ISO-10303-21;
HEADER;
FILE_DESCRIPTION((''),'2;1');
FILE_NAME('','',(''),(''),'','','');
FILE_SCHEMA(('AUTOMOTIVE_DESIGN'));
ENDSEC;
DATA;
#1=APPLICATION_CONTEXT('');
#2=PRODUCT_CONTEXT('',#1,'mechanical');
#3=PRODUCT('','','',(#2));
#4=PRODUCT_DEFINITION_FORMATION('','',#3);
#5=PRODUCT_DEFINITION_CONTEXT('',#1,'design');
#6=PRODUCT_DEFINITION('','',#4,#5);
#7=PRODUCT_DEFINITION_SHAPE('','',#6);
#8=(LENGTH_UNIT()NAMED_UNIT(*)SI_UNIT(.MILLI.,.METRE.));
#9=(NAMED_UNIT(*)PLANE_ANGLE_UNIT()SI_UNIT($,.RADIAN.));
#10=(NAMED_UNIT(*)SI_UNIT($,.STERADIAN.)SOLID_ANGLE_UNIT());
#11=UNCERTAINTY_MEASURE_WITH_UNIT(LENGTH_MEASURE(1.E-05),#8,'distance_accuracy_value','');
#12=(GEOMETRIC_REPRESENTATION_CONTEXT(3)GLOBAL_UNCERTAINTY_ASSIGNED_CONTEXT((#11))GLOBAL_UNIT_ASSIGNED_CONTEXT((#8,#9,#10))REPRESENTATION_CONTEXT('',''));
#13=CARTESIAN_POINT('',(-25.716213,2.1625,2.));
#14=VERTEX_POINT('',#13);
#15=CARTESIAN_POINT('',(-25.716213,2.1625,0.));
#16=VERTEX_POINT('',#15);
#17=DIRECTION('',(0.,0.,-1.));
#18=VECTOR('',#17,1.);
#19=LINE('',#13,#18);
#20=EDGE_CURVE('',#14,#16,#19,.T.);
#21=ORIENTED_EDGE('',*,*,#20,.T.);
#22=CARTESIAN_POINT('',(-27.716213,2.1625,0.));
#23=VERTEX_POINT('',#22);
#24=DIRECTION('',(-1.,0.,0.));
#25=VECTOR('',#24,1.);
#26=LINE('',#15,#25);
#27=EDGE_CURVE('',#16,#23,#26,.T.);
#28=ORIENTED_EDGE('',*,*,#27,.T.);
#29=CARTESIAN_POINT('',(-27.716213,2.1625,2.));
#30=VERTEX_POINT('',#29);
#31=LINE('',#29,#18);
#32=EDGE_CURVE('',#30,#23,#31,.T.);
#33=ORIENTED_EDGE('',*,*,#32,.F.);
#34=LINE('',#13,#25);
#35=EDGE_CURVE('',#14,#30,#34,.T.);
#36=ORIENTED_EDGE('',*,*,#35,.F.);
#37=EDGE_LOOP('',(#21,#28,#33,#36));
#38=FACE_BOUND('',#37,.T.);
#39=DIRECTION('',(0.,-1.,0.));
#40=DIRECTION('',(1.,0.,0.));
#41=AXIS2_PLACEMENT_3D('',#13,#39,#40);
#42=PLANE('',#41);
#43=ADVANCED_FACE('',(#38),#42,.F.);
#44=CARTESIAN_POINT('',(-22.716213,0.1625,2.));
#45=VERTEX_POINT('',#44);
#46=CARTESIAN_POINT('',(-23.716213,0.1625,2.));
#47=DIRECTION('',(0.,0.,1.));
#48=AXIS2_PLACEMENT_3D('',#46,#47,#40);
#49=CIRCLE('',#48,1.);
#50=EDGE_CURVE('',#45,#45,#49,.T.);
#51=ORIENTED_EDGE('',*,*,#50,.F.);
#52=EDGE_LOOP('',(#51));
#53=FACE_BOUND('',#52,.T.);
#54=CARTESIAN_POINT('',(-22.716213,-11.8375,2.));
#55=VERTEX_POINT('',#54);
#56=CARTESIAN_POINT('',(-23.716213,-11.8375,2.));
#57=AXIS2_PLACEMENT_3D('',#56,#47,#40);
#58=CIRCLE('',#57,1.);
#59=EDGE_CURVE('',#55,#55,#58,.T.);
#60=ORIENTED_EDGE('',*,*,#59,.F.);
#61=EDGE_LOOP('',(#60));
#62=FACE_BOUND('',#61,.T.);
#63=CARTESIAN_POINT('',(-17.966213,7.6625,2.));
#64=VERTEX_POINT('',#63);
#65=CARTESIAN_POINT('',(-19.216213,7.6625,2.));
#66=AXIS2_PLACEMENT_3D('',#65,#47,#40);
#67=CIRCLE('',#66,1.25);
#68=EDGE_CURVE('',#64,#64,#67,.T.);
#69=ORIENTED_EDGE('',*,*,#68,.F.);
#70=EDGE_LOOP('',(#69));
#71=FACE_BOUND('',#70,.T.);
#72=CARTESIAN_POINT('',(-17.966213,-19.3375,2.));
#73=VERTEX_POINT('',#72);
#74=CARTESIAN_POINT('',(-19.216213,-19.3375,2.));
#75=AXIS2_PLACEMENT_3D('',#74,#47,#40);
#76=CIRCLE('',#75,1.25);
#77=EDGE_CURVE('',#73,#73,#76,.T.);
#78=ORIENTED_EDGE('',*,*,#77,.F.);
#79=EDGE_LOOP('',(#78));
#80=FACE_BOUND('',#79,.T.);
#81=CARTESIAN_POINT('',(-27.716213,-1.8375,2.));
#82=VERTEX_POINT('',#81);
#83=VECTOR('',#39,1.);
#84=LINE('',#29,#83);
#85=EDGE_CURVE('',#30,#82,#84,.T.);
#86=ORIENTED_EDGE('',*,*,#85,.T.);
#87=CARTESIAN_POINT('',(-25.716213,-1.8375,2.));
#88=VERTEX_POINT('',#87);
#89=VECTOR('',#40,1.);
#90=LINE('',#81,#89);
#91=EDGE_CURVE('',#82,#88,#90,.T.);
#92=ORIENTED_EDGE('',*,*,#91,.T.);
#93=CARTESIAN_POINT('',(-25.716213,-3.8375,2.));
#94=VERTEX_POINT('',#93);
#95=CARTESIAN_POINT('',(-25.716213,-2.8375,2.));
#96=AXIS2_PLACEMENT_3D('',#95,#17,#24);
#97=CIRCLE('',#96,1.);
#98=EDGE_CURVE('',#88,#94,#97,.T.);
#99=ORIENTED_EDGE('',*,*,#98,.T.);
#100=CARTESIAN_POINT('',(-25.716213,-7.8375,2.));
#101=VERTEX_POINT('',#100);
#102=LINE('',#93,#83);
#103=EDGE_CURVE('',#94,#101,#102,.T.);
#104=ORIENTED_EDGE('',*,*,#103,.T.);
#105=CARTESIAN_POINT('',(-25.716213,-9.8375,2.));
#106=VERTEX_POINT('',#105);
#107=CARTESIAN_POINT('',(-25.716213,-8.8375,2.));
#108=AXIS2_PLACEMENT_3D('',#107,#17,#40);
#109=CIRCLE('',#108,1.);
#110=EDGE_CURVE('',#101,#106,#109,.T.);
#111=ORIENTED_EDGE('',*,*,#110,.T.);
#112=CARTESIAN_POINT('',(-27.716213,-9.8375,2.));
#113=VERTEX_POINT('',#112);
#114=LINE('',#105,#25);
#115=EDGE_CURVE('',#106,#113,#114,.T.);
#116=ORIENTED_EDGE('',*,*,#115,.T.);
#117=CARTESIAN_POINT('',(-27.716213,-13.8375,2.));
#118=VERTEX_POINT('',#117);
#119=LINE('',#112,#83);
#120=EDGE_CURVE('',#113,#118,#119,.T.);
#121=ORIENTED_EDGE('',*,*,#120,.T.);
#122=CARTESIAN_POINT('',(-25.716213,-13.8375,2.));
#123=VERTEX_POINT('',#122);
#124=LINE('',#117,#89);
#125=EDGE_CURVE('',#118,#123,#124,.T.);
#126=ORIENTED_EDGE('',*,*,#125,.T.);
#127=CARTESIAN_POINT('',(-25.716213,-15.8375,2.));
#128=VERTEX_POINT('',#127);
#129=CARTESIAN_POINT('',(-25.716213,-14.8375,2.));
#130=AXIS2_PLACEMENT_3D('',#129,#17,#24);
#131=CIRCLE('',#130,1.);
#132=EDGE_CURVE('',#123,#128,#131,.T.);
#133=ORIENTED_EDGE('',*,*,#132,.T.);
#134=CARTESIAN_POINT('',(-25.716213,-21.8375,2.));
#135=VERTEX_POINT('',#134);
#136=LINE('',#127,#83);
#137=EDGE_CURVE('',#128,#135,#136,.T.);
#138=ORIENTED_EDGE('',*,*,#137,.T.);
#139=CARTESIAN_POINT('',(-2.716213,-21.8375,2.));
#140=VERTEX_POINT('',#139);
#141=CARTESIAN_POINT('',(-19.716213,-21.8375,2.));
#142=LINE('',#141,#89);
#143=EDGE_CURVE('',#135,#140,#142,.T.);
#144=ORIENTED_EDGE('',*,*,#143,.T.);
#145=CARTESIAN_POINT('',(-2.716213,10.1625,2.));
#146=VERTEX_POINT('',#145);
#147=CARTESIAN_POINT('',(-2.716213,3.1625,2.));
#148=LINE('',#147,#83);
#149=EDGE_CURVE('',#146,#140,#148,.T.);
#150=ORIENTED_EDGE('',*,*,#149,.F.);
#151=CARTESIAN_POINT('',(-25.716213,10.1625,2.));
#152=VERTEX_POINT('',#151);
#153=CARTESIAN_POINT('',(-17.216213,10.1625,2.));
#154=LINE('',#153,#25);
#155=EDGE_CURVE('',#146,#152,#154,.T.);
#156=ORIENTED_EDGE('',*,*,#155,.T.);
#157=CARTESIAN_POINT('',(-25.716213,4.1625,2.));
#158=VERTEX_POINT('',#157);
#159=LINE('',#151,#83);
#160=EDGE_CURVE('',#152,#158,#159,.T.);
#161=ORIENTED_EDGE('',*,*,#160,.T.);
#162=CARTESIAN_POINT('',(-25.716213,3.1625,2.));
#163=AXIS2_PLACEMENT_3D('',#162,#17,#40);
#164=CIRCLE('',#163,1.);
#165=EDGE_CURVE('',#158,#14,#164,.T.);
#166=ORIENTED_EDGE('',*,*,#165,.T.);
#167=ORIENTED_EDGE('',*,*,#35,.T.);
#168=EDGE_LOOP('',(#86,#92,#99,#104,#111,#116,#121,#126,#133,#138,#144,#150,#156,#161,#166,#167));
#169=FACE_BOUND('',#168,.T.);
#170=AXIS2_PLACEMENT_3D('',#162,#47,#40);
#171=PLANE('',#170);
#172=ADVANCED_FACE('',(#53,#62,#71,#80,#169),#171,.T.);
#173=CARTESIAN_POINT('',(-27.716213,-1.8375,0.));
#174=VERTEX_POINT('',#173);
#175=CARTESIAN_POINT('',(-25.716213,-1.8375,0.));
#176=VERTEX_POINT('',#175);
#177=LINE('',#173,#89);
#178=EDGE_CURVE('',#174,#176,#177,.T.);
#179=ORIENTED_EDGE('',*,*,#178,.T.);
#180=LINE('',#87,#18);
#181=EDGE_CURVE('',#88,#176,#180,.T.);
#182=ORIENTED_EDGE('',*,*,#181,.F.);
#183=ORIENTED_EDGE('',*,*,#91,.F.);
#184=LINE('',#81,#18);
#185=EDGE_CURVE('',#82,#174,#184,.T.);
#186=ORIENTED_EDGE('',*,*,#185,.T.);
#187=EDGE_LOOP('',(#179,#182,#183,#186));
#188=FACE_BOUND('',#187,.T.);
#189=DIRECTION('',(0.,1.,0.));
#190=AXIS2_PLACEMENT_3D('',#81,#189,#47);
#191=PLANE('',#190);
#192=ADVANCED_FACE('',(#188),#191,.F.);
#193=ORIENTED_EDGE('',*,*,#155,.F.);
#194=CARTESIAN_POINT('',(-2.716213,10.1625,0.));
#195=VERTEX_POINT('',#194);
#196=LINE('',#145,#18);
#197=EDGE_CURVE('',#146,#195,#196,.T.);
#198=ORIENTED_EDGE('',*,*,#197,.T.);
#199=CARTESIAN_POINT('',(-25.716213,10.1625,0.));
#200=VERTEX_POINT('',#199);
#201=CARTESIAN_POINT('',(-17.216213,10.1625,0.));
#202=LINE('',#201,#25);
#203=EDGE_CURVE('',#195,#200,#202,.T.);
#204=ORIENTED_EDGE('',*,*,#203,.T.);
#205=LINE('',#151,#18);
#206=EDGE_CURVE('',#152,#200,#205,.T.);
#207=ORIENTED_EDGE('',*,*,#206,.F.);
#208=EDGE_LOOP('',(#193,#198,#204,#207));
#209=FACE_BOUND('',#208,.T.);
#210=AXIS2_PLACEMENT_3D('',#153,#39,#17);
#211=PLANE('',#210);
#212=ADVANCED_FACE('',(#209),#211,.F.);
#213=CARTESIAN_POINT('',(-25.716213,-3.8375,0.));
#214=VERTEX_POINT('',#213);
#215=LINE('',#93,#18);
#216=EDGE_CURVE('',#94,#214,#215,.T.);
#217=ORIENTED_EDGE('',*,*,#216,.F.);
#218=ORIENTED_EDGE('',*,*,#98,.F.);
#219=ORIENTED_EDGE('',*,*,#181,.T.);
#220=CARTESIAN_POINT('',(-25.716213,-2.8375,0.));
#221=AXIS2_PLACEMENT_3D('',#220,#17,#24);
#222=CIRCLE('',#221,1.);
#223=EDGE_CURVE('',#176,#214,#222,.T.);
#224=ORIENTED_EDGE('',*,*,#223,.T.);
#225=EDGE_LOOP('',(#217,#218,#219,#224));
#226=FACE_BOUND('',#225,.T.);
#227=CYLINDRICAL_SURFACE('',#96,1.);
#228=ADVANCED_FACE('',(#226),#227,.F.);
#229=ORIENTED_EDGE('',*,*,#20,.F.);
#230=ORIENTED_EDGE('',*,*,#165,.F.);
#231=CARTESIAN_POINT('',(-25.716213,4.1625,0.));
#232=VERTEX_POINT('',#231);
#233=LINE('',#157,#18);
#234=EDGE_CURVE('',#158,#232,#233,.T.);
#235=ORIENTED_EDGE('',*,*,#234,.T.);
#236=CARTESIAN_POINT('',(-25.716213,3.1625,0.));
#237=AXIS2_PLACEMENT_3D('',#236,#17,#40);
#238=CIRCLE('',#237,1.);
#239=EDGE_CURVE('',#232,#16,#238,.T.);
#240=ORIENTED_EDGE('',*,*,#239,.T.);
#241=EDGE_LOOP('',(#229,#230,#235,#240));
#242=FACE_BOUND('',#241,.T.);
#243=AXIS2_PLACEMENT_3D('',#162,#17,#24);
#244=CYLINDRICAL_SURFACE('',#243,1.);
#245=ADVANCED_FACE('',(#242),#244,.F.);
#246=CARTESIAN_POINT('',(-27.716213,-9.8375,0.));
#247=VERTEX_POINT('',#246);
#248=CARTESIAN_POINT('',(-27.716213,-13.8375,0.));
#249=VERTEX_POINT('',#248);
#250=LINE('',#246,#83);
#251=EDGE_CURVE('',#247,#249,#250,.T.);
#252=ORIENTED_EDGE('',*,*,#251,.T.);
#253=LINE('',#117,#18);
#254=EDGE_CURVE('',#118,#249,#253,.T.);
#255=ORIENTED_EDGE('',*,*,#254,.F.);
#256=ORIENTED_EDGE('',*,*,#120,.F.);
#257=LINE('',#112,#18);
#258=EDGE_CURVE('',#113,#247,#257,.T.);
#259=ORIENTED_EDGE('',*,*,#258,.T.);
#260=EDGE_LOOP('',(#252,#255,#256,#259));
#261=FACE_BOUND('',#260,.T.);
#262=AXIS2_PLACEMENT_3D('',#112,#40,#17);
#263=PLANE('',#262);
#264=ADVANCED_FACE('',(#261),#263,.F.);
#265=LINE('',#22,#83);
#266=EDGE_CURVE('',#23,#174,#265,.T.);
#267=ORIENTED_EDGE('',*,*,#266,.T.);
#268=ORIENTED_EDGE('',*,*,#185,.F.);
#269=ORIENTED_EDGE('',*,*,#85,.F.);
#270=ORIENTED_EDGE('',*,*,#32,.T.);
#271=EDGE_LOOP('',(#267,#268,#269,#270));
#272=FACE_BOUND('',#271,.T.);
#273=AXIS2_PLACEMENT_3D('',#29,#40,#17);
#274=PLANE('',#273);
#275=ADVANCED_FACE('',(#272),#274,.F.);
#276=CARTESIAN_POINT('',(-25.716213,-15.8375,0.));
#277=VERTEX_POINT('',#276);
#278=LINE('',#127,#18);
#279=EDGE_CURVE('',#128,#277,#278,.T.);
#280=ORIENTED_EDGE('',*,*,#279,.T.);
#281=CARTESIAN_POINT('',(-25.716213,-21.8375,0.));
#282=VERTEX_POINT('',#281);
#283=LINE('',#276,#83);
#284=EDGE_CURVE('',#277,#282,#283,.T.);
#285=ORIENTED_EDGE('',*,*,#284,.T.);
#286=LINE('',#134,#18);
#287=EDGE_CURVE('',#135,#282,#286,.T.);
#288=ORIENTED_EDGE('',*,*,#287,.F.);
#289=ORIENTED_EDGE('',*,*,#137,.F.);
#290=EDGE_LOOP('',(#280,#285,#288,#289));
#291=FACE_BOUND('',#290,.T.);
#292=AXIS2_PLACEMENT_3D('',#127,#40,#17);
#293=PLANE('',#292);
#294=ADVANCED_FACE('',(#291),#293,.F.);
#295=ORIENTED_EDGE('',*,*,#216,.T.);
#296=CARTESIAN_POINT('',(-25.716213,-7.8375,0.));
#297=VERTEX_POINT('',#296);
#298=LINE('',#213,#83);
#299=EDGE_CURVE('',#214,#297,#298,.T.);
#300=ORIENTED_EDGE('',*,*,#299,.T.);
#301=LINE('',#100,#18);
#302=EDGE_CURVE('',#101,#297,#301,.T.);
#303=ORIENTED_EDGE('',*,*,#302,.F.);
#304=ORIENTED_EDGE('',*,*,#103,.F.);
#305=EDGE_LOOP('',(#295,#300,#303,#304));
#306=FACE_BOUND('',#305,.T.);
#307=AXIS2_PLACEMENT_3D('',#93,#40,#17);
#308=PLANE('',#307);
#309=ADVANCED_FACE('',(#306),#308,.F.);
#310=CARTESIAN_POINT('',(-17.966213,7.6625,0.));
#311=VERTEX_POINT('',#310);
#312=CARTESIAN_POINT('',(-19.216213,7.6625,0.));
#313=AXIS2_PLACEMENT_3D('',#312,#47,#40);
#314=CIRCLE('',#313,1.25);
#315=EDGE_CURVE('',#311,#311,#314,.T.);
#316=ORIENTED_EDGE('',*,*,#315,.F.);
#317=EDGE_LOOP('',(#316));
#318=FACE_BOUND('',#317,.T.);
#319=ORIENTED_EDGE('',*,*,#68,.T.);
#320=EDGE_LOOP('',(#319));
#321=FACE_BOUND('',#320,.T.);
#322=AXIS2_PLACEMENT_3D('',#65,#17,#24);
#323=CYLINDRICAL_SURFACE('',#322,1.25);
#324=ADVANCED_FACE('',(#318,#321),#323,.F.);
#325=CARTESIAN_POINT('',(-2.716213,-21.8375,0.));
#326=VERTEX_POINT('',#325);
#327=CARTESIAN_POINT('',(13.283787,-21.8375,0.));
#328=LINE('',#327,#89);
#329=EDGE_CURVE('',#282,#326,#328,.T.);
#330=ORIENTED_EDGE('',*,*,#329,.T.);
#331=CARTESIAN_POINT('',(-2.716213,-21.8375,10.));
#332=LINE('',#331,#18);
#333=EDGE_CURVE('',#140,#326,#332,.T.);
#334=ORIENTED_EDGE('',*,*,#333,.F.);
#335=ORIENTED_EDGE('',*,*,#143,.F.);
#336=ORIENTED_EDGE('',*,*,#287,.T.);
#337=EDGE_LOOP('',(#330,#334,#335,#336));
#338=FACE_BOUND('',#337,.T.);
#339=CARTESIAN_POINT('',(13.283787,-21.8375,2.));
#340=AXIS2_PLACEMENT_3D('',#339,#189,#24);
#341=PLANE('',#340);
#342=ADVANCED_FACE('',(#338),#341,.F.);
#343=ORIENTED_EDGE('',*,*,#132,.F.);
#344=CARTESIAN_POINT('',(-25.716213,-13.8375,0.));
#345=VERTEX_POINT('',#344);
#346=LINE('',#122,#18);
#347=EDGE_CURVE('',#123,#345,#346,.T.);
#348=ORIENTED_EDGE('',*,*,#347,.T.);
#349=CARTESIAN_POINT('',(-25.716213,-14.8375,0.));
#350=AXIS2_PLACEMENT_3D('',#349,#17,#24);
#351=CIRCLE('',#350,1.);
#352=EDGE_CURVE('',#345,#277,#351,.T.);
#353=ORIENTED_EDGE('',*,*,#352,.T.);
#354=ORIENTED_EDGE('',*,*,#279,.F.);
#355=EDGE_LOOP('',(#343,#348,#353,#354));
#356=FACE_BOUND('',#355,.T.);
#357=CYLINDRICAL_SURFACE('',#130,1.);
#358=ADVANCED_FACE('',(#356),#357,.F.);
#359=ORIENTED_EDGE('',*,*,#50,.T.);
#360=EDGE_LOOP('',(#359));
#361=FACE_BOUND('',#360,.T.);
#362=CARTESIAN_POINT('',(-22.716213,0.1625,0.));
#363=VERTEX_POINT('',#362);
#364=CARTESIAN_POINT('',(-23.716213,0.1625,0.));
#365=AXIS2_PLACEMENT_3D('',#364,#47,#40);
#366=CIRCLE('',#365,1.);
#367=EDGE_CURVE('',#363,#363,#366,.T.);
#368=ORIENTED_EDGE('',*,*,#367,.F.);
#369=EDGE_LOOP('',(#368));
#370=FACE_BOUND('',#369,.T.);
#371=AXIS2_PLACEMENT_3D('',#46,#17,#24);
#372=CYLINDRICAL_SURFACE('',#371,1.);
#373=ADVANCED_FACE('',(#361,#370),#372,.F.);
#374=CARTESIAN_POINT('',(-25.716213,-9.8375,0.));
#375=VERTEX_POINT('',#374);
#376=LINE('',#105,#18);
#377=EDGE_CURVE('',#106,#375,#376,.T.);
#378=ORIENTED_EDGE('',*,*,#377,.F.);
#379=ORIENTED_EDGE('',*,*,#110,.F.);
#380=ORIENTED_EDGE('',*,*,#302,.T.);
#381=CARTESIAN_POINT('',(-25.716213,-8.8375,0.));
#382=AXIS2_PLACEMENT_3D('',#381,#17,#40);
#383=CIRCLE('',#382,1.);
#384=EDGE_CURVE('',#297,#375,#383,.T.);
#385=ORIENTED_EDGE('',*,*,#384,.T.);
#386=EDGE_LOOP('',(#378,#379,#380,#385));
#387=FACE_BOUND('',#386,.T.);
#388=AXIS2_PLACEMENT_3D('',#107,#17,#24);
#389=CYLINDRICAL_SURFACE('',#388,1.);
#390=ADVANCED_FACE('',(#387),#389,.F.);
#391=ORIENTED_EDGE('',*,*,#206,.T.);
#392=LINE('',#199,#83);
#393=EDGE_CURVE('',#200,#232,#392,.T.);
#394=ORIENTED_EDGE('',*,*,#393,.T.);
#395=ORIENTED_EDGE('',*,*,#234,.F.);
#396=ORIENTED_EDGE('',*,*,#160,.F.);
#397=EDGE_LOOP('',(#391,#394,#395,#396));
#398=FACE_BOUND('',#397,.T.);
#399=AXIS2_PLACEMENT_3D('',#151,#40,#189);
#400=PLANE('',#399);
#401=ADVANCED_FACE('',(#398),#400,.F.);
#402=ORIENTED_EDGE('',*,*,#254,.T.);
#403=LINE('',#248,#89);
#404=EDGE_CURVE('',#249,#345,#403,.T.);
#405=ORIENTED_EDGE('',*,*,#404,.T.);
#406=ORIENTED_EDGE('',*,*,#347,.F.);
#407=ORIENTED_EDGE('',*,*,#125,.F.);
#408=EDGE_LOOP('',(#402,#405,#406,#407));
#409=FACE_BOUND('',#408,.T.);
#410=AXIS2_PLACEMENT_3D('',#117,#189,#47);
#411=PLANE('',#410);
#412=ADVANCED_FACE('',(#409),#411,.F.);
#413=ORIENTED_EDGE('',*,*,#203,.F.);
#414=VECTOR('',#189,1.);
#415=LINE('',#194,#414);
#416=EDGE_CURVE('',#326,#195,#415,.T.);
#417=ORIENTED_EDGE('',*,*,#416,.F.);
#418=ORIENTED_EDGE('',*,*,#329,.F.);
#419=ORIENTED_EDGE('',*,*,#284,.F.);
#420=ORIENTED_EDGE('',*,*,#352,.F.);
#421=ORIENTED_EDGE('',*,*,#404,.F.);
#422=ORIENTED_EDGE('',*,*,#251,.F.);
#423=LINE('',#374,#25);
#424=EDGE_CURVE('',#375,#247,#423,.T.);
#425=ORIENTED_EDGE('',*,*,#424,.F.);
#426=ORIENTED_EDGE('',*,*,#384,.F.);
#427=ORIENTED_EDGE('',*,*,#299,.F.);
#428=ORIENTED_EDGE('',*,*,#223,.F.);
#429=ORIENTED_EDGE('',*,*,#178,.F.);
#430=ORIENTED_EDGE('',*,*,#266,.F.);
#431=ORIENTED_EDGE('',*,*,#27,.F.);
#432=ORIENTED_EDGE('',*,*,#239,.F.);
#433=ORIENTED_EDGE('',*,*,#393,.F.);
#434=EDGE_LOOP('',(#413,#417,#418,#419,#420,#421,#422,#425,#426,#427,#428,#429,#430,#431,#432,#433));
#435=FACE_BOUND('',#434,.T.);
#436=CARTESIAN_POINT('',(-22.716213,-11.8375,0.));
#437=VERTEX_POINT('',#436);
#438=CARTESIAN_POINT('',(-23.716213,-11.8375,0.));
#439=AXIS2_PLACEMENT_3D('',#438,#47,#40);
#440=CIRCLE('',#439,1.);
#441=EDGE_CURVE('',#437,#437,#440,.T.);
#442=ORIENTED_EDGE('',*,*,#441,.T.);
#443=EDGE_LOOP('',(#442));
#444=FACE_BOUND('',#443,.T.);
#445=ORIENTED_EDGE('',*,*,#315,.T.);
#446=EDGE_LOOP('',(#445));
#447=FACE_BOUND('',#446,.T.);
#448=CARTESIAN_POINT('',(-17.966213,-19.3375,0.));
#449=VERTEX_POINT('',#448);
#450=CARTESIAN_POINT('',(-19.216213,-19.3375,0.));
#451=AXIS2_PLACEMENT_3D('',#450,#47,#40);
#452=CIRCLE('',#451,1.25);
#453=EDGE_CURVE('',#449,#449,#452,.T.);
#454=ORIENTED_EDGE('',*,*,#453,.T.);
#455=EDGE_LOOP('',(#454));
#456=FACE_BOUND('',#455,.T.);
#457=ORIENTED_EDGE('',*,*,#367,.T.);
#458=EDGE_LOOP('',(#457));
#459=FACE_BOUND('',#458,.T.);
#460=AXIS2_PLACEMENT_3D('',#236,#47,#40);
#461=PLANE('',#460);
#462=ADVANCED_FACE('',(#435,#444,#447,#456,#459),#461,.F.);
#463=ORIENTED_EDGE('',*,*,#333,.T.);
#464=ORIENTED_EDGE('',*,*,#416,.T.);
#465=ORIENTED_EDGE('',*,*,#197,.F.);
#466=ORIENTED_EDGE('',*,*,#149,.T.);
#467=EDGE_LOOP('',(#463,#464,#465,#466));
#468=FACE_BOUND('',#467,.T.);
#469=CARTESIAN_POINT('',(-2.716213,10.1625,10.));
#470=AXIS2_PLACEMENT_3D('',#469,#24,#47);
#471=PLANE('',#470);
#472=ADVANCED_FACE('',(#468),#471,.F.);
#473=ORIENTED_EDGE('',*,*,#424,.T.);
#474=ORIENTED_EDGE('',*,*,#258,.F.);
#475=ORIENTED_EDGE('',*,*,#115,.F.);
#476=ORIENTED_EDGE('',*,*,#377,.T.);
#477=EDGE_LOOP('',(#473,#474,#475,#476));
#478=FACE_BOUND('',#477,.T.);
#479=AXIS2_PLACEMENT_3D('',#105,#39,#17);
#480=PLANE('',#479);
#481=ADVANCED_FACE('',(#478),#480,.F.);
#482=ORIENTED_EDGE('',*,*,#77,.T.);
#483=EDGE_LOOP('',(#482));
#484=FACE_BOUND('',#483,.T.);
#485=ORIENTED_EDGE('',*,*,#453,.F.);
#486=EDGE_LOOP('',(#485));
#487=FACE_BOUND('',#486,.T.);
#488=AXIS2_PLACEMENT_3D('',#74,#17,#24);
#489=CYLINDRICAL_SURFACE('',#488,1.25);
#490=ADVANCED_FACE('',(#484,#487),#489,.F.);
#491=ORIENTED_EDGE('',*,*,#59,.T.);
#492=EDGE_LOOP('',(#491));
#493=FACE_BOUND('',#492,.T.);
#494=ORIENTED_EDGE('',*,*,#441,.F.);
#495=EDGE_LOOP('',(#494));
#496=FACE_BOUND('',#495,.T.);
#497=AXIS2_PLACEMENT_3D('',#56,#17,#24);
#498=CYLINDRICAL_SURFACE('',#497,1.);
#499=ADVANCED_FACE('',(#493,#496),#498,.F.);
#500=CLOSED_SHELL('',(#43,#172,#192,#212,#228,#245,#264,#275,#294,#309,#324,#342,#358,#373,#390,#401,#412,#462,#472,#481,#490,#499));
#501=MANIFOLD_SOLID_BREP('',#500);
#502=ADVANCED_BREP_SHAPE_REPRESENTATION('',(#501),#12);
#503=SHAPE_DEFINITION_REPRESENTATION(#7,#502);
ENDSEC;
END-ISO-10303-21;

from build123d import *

# Parameters (mm, degrees)
SKETCH_1_R          = 1.25
SKETCH_1_R_2        = 1
EXTRUDE_1_DEPTH     = 2
SKETCH_4_W          = 15.5
SKETCH_4_H          = 22
CUT_EXTRUDE_1_DEPTH = 2
FILLET_2_R          = 2.5
FILLET_3_R          = 5
SKETCH_6_W          = 16
SKETCH_6_H          = 32
CUT_EXTRUDE_3_DEPTH = 10


with BuildPart() as part:
    # 草圖1 → 填料-伸長1 (new body)
    with BuildSketch(Plane.XY):
        with BuildLine():
            Line((-17.216213198, 10.1625), (13.283786802, 10.1625))
            Line((13.283786802, 10.1625), (13.283786802, -21.8375))
            Line((13.283786802, -21.8375), (-17.216213198, -21.8375))
            Line((-17.216213198, -21.8375), (-19.716213198, -21.8375))
            Line((-19.716213198, -21.8375), (-25.716213198, -21.8375))
            Line((-25.716213198, -21.8375), (-25.716213198, -15.8375))
            ThreePointArc((-25.716213198, -15.8375), (-24.716213198, -14.8375), (-25.716213198, -13.8375))
            Line((-25.716213198, -13.8375), (-27.716213198, -13.8375))
            Line((-27.716213198, -13.8375), (-27.716213198, -9.8375))
            Line((-27.716213198, -9.8375), (-25.716213198, -9.8375))
            ThreePointArc((-25.716213198, -9.8375), (-24.716213198, -8.8375), (-25.716213198, -7.8375))
            Line((-25.716213198, -7.8375), (-25.716213198, -3.8375))
            ThreePointArc((-25.716213198, -3.8375), (-24.716213198, -2.8375), (-25.716213198, -1.8375))
            Line((-25.716213198, -1.8375), (-27.716213198, -1.8375))
            Line((-27.716213198, -1.8375), (-27.716213198, 2.1625))
            Line((-27.716213198, 2.1625), (-25.716213198, 2.1625))
            ThreePointArc((-25.716213198, 2.1625), (-24.716213198, 3.1625), (-25.716213198, 4.1625))
            Line((-25.716213198, 4.1625), (-25.716213198, 10.1625))
            Line((-25.716213198, 10.1625), (-21.716213198, 10.1625))
            Line((-21.716213198, 10.1625), (-17.216213198, 10.1625))
        make_face()
        with Locations((-19.216213198, 7.6625)):
            Circle(SKETCH_1_R, mode=Mode.SUBTRACT)
        with Locations((-19.216213198, -19.3375)):
            Circle(SKETCH_1_R, mode=Mode.SUBTRACT)
        with Locations((10.783786802, -19.3375)):
            Circle(SKETCH_1_R, mode=Mode.SUBTRACT)
        with Locations((10.783786802, 7.6625)):
            Circle(SKETCH_1_R, mode=Mode.SUBTRACT)
        with Locations((-23.716213198, -11.8375)):
            Circle(SKETCH_1_R_2, mode=Mode.SUBTRACT)
        with Locations((-23.716213198, 0.1625)):
            Circle(SKETCH_1_R_2, mode=Mode.SUBTRACT)
    extrude(amount=EXTRUDE_1_DEPTH)

    # 草圖4 → 除料-伸長1 (cut)
    with BuildSketch(Plane(origin=(0, 0, 0), x_dir=(-1, 0, 0), z_dir=(0, 0, -1))):
        with Locations((-5.533786802, -5.8375)):
            Rectangle(SKETCH_4_W, SKETCH_4_H)
    extrude(amount=-CUT_EXTRUDE_1_DEPTH, mode=Mode.SUBTRACT)

    # 圓角2
    fillet_2_edges = [part.edges().sort_by_distance(p)[0] for p in [
        (13.283786802, -16.8375, 1),
        (13.283786802, 5.1625, 1),
    ]]
    fillet(fillet_2_edges, radius=FILLET_2_R)

    # 圓角3
    fillet_3_edges = [part.edges().sort_by_distance(p)[0] for p in [
        (-2.216213198, 5.1625, 1),
        (-2.216213198, -16.8375, 1),
    ]]
    fillet(fillet_3_edges, radius=FILLET_3_R)

    # 草圖6 → 除料-伸長3 (cut)
    with BuildSketch(Plane(origin=(0, 0, 0), x_dir=(-1, 0, 0), z_dir=(0, 0, -1))):
        with Locations((-5.283786802, -5.8375)):
            Rectangle(SKETCH_6_W, SKETCH_6_H)
    extrude(amount=-CUT_EXTRUDE_3_DEPTH, mode=Mode.SUBTRACT)


solid = part.part
